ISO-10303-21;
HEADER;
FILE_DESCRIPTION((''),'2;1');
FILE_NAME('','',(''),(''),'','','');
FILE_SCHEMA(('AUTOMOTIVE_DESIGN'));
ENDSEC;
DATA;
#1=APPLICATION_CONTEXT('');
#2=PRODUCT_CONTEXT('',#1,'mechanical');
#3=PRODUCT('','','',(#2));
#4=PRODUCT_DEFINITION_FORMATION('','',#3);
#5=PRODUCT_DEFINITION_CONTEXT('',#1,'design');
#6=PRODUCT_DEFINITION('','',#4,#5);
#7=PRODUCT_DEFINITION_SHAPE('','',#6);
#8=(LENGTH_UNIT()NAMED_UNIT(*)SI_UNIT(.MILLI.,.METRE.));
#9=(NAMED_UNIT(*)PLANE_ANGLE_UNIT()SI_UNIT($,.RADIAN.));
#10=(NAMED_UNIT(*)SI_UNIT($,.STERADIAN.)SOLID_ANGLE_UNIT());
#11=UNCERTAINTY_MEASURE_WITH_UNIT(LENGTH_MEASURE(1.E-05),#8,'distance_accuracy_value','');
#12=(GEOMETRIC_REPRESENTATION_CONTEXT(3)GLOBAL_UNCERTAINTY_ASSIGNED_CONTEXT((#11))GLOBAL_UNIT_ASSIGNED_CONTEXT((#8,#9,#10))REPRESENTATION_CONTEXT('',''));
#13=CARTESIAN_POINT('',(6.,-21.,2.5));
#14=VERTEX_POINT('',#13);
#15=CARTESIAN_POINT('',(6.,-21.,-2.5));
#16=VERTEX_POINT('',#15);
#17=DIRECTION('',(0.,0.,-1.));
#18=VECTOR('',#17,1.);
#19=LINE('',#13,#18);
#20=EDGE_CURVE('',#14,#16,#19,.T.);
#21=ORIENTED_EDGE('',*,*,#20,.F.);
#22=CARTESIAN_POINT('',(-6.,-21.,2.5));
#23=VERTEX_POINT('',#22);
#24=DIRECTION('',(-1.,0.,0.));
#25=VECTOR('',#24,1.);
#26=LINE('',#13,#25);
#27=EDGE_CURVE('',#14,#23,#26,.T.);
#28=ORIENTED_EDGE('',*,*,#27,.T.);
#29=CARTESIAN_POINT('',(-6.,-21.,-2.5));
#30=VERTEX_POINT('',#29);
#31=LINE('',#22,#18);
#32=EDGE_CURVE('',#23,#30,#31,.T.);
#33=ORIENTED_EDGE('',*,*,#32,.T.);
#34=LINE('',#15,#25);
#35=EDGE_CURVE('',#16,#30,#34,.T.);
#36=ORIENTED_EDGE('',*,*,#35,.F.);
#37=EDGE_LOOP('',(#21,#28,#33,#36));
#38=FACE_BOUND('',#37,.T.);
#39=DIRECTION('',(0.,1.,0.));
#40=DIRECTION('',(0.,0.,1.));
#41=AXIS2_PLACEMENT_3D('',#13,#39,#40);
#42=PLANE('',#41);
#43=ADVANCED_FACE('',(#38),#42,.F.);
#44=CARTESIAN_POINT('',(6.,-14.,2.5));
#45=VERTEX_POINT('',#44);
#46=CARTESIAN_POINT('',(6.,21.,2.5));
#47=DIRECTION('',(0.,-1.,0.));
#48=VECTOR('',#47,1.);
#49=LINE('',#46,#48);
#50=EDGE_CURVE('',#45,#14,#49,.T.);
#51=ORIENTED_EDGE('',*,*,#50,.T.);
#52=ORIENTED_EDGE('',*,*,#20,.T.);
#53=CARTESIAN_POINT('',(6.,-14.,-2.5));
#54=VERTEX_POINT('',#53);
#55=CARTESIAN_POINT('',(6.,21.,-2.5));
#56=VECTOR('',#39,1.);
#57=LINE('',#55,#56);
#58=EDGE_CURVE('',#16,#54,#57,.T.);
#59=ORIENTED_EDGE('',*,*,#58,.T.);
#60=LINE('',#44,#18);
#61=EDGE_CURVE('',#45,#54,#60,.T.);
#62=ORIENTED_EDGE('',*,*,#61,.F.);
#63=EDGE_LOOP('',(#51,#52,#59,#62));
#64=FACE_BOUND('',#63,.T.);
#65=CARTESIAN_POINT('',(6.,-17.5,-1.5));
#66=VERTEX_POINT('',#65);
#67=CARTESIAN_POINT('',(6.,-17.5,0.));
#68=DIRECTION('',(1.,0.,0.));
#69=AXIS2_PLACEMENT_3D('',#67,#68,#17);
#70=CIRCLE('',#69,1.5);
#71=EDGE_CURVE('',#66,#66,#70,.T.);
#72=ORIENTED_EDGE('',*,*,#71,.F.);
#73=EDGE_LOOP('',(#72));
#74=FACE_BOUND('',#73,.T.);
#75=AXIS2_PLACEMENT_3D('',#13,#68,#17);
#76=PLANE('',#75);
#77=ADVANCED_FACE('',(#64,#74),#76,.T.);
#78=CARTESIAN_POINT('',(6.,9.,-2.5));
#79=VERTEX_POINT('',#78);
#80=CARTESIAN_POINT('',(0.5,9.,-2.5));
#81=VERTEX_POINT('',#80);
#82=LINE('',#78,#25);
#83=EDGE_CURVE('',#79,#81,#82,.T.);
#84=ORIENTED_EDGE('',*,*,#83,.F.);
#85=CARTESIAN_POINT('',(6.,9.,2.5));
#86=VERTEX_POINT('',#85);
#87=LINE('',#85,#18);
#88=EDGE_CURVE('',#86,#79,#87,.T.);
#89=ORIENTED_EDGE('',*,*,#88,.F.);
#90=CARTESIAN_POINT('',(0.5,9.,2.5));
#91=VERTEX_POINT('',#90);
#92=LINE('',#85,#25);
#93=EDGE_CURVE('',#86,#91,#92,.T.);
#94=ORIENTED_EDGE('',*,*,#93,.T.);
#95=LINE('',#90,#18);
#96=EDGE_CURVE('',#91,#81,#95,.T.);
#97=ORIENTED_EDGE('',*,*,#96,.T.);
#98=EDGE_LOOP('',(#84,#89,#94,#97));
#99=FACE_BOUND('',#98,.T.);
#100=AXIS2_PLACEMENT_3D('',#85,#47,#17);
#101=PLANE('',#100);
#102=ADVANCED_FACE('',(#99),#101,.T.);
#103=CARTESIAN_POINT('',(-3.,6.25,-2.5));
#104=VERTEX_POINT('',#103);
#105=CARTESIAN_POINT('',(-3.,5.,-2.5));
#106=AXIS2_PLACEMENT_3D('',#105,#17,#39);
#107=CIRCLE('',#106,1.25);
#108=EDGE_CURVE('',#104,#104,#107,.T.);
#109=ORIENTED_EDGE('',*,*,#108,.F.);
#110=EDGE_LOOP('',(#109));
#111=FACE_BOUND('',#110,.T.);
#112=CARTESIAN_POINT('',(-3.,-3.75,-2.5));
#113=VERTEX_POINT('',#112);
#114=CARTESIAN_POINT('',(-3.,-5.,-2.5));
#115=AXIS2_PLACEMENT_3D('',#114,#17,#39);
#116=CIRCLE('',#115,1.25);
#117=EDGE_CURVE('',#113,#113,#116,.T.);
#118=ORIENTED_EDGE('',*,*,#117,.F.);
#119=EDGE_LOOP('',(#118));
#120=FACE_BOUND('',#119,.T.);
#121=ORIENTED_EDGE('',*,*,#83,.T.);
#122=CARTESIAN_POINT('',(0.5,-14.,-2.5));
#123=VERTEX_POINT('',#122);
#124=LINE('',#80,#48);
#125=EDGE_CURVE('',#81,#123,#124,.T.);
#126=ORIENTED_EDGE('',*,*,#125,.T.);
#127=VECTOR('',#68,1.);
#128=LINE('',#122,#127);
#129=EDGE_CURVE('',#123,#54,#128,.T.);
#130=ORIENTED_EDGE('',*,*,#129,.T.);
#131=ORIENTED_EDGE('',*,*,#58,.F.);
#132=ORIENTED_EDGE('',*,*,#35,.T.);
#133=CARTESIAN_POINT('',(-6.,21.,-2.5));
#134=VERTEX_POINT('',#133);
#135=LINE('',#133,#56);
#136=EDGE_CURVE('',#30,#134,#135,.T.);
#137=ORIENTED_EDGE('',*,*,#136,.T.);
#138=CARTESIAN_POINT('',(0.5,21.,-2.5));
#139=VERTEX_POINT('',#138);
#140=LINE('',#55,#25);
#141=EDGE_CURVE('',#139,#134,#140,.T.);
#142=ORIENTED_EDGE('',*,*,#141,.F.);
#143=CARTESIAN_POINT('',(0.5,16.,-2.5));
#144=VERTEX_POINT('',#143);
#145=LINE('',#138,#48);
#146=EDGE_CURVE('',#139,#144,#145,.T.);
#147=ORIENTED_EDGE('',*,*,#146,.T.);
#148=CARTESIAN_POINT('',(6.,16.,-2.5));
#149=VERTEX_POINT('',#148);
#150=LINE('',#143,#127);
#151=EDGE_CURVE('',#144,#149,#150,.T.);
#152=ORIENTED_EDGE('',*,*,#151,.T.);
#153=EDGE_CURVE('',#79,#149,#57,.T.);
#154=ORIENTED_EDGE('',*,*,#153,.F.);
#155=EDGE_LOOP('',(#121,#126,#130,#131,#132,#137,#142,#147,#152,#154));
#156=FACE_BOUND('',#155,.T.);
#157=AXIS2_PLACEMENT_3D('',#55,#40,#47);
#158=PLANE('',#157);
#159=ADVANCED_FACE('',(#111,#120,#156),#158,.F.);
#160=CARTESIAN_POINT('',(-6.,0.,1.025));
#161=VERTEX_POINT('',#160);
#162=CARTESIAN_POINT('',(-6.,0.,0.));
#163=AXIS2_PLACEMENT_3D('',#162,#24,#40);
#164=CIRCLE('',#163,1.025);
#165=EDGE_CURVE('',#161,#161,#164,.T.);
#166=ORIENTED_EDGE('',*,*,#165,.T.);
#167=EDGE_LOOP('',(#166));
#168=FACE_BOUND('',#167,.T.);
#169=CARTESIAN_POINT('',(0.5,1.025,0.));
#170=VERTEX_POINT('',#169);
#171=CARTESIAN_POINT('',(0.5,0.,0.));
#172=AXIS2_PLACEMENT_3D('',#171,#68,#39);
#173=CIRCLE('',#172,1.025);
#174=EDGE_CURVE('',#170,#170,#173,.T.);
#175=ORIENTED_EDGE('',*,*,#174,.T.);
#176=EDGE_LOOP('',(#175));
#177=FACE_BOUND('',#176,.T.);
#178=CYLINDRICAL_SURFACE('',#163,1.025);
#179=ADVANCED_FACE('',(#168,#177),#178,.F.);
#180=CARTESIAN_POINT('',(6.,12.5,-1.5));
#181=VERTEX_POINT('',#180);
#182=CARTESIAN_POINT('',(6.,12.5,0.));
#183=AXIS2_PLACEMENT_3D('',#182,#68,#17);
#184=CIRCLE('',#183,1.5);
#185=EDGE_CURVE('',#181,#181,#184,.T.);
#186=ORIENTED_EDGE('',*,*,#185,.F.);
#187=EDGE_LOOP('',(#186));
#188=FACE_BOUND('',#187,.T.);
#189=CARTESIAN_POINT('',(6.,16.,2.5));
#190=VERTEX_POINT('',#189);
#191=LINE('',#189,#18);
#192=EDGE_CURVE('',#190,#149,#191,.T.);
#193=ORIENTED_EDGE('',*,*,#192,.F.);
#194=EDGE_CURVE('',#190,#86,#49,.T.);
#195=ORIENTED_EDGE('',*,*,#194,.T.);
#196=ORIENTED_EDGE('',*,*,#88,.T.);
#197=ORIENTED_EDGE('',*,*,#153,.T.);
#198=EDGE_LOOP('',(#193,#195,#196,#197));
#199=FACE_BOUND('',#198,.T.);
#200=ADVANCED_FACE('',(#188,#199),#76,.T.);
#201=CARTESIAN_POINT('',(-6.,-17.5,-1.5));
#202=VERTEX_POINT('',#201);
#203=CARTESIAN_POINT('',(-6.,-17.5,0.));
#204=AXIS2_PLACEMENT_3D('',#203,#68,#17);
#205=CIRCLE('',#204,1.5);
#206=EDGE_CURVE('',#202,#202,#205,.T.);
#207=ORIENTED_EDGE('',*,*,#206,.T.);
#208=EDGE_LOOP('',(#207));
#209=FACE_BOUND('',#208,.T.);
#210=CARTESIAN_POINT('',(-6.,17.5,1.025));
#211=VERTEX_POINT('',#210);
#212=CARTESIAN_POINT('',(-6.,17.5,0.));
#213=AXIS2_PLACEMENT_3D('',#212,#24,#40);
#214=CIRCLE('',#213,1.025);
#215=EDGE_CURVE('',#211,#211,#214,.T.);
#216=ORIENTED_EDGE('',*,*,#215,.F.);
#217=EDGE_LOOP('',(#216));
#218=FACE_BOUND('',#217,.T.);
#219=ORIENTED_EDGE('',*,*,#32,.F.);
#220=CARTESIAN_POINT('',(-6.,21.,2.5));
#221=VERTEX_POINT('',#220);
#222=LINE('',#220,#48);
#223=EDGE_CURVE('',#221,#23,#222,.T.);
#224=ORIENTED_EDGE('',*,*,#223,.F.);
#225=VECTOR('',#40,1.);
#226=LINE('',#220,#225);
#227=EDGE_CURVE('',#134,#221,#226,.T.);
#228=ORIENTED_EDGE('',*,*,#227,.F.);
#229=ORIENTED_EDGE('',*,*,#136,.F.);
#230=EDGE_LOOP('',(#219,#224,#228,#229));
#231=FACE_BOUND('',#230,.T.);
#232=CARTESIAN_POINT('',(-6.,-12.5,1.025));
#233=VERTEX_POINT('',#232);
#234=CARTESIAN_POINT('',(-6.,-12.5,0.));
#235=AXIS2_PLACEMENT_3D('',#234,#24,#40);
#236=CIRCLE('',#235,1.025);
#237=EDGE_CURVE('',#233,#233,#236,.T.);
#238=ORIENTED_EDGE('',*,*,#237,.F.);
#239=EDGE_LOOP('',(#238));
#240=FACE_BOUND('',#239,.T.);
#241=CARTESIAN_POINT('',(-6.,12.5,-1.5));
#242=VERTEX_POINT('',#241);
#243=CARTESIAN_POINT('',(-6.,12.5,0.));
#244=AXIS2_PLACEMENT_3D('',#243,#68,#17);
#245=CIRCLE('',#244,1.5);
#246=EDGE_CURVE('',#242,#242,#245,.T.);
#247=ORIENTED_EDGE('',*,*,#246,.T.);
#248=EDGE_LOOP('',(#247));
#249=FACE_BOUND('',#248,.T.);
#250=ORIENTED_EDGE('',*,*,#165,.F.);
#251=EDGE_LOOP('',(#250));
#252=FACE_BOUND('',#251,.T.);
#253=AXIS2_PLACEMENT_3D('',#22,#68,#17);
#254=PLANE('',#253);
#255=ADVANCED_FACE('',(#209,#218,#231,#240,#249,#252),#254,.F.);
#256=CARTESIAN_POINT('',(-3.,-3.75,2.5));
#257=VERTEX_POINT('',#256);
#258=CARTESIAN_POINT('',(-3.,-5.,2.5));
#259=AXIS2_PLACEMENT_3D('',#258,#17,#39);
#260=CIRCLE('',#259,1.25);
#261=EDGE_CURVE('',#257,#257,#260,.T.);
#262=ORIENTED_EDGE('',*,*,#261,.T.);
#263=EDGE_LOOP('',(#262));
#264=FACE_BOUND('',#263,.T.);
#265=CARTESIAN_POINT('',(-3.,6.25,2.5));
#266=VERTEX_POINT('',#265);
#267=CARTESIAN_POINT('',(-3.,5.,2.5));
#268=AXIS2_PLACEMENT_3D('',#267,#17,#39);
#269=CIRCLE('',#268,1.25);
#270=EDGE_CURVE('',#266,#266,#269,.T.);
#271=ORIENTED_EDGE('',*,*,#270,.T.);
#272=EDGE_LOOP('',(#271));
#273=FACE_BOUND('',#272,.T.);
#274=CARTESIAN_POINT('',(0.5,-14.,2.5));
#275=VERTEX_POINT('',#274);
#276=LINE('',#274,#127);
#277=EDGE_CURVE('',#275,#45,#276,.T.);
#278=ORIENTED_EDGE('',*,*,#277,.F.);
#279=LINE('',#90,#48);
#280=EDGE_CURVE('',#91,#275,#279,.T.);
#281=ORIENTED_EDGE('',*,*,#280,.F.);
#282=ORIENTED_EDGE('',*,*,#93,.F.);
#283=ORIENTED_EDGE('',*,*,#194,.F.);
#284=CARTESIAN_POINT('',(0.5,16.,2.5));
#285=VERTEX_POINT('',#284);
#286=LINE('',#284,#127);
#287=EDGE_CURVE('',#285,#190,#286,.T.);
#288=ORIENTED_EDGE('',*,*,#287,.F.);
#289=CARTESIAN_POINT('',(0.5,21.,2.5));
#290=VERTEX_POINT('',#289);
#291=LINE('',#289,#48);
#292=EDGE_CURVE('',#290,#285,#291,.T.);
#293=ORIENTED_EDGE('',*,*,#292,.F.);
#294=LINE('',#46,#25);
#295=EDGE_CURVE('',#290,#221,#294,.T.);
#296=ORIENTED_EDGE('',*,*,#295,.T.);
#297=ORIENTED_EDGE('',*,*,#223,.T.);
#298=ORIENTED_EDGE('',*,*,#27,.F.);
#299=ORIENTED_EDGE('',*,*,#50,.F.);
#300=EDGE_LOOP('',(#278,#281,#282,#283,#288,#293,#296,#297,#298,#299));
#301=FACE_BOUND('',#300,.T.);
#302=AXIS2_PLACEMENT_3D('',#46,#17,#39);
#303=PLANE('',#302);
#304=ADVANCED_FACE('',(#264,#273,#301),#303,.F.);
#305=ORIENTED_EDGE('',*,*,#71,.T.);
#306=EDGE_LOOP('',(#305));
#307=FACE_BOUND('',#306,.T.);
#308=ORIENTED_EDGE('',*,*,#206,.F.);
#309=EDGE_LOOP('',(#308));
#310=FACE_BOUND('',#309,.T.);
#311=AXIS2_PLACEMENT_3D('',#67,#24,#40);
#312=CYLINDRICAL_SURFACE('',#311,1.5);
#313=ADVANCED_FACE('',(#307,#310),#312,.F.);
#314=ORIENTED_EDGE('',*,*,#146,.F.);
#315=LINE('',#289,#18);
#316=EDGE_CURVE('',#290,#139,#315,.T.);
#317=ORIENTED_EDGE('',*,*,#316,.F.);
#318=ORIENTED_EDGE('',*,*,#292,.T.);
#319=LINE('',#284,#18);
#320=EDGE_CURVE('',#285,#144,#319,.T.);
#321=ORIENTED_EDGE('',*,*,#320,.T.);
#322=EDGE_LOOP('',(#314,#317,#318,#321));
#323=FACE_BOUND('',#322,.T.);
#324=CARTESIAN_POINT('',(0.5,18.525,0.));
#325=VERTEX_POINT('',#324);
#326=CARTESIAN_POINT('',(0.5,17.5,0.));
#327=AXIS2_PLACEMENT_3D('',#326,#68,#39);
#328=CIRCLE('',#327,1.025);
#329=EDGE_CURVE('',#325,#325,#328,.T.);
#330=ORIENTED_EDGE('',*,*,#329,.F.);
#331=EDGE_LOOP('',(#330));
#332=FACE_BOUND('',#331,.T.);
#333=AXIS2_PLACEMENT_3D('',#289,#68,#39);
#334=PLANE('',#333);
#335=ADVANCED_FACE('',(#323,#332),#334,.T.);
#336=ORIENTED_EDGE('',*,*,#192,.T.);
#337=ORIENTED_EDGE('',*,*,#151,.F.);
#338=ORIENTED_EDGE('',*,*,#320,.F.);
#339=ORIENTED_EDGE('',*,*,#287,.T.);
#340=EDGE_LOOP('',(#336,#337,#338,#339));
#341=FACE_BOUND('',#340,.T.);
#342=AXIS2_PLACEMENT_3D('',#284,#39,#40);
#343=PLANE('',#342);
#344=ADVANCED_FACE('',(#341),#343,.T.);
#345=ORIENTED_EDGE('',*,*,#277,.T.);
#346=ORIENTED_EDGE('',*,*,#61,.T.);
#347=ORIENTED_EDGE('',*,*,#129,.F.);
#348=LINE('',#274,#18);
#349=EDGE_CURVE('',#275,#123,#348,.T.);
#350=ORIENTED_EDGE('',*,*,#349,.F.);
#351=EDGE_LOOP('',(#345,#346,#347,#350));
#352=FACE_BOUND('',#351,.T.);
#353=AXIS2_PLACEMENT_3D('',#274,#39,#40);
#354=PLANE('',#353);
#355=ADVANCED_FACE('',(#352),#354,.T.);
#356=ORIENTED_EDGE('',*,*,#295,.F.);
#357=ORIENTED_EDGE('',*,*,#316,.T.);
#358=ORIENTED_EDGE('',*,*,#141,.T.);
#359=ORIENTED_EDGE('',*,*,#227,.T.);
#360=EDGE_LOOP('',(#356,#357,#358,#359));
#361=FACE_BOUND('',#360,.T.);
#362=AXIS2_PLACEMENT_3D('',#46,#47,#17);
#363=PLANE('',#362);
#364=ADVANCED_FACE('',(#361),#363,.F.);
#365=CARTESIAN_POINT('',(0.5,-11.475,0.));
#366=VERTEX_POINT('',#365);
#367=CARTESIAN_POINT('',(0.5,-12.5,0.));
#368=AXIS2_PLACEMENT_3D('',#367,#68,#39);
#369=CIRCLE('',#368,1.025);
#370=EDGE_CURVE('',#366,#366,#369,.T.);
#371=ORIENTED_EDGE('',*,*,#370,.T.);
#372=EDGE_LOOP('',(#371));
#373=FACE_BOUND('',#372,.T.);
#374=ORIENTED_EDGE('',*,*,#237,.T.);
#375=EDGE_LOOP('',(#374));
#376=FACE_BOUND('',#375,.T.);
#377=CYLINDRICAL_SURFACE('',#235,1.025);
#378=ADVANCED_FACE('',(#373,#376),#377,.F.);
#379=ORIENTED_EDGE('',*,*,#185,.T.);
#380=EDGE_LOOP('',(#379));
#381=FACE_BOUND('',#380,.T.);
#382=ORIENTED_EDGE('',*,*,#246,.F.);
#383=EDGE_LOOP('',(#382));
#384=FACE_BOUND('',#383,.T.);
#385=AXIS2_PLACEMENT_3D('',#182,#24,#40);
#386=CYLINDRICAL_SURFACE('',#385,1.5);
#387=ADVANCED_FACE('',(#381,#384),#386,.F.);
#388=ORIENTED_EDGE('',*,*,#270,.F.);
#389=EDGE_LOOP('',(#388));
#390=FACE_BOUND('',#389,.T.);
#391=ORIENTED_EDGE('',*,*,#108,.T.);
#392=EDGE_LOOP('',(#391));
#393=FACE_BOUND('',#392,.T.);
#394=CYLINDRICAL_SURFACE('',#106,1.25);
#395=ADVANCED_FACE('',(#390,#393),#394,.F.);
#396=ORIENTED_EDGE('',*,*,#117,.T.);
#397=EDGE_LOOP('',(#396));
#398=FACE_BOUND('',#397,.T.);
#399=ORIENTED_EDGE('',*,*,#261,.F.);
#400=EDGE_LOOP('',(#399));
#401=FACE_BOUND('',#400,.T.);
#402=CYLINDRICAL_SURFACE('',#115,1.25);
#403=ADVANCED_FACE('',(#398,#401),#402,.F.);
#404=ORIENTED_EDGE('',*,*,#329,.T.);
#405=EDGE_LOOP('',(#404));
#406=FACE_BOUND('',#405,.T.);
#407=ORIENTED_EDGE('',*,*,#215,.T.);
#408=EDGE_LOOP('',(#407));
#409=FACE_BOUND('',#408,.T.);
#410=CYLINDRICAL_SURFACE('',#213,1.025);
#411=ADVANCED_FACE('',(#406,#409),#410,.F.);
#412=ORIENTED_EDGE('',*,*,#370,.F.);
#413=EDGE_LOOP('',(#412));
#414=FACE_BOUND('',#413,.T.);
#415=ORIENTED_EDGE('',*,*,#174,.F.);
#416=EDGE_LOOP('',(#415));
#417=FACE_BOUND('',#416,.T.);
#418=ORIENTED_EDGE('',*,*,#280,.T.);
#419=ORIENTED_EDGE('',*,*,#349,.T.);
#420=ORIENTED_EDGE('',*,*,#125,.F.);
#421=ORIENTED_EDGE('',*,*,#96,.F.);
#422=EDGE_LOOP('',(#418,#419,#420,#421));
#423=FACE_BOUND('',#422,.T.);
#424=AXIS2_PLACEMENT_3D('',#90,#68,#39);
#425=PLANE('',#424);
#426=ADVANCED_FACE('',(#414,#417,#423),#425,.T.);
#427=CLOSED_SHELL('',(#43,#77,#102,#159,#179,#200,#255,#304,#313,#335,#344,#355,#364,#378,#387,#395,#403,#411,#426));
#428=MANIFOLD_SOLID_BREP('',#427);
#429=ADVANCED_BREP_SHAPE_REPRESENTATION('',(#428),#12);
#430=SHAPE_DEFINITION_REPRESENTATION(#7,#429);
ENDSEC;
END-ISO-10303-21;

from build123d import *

# Parameters (mm, degrees)
ESQUISSE1_W              = 5
ESQUISSE1_H              = 42
ESQUISSE1_R              = 1.5
EXTRUSION1_DEPTH         = 6
TROU_TARAUD_M3X0_51_D    = 2.5
ESQUISSE4_OUTSIDE_W      = 22.794
ESQUISSE4_OUTSIDE_H      = 52.794
ENL_V_MAT_EXTRU_1_DEPTH  = 23.405356502
TROU_TARAUD_M2_5X0_451_D = 2.05


with BuildPart() as part:
    # Esquisse1 → Extrusion1 (new, symmetric)
    with BuildSketch(Plane(origin=(0, 0, 0), x_dir=(0, 0, -1), z_dir=(1, 0, 0))):
        Rectangle(ESQUISSE1_W, ESQUISSE1_H)
        with Locations((0, -17.5)):
            Circle(ESQUISSE1_R, mode=Mode.SUBTRACT)
        with Locations((0, 12.5)):
            Circle(ESQUISSE1_R, mode=Mode.SUBTRACT)
    extrude(amount=EXTRUSION1_DEPTH, both=True)

    # Trou taraudé M3x0.51 (through all)
    with Locations(Plane(origin=(0, 0, -2.5), x_dir=(-1, 0, 0), z_dir=(0, 0, -1))):
        with Locations((3, 5), (3, -5)):
            Hole(TROU_TARAUD_M3X0_51_D / 2)

    # Esquisse4 outside → Enlèv. mat.-Extru.1 (cut, through all)
    with BuildSketch(Plane(origin=(0, 0, -2.5), x_dir=(-1, 0, 0), z_dir=(0, 0, -1))):
        Rectangle(ESQUISSE4_OUTSIDE_W, ESQUISSE4_OUTSIDE_H)
        Polygon((6, 21), (-0.5, 21), (-0.5, 16), (-6, 16), (-6, 9), (-0.5, 9), (-0.5, -14), (-6, -14), (-6, -21), (6, -21), align=None, mode=Mode.SUBTRACT)
    extrude(amount=-ENL_V_MAT_EXTRU_1_DEPTH, mode=Mode.SUBTRACT)

    # Trou taraudé M2.5x0.451 (through all)
    with Locations(Plane.ZY.offset(6)):
        with Locations((0, 17.5), (0, 0), (0, -12.5)):
            Hole(TROU_TARAUD_M2_5X0_451_D / 2)


solid = part.part
